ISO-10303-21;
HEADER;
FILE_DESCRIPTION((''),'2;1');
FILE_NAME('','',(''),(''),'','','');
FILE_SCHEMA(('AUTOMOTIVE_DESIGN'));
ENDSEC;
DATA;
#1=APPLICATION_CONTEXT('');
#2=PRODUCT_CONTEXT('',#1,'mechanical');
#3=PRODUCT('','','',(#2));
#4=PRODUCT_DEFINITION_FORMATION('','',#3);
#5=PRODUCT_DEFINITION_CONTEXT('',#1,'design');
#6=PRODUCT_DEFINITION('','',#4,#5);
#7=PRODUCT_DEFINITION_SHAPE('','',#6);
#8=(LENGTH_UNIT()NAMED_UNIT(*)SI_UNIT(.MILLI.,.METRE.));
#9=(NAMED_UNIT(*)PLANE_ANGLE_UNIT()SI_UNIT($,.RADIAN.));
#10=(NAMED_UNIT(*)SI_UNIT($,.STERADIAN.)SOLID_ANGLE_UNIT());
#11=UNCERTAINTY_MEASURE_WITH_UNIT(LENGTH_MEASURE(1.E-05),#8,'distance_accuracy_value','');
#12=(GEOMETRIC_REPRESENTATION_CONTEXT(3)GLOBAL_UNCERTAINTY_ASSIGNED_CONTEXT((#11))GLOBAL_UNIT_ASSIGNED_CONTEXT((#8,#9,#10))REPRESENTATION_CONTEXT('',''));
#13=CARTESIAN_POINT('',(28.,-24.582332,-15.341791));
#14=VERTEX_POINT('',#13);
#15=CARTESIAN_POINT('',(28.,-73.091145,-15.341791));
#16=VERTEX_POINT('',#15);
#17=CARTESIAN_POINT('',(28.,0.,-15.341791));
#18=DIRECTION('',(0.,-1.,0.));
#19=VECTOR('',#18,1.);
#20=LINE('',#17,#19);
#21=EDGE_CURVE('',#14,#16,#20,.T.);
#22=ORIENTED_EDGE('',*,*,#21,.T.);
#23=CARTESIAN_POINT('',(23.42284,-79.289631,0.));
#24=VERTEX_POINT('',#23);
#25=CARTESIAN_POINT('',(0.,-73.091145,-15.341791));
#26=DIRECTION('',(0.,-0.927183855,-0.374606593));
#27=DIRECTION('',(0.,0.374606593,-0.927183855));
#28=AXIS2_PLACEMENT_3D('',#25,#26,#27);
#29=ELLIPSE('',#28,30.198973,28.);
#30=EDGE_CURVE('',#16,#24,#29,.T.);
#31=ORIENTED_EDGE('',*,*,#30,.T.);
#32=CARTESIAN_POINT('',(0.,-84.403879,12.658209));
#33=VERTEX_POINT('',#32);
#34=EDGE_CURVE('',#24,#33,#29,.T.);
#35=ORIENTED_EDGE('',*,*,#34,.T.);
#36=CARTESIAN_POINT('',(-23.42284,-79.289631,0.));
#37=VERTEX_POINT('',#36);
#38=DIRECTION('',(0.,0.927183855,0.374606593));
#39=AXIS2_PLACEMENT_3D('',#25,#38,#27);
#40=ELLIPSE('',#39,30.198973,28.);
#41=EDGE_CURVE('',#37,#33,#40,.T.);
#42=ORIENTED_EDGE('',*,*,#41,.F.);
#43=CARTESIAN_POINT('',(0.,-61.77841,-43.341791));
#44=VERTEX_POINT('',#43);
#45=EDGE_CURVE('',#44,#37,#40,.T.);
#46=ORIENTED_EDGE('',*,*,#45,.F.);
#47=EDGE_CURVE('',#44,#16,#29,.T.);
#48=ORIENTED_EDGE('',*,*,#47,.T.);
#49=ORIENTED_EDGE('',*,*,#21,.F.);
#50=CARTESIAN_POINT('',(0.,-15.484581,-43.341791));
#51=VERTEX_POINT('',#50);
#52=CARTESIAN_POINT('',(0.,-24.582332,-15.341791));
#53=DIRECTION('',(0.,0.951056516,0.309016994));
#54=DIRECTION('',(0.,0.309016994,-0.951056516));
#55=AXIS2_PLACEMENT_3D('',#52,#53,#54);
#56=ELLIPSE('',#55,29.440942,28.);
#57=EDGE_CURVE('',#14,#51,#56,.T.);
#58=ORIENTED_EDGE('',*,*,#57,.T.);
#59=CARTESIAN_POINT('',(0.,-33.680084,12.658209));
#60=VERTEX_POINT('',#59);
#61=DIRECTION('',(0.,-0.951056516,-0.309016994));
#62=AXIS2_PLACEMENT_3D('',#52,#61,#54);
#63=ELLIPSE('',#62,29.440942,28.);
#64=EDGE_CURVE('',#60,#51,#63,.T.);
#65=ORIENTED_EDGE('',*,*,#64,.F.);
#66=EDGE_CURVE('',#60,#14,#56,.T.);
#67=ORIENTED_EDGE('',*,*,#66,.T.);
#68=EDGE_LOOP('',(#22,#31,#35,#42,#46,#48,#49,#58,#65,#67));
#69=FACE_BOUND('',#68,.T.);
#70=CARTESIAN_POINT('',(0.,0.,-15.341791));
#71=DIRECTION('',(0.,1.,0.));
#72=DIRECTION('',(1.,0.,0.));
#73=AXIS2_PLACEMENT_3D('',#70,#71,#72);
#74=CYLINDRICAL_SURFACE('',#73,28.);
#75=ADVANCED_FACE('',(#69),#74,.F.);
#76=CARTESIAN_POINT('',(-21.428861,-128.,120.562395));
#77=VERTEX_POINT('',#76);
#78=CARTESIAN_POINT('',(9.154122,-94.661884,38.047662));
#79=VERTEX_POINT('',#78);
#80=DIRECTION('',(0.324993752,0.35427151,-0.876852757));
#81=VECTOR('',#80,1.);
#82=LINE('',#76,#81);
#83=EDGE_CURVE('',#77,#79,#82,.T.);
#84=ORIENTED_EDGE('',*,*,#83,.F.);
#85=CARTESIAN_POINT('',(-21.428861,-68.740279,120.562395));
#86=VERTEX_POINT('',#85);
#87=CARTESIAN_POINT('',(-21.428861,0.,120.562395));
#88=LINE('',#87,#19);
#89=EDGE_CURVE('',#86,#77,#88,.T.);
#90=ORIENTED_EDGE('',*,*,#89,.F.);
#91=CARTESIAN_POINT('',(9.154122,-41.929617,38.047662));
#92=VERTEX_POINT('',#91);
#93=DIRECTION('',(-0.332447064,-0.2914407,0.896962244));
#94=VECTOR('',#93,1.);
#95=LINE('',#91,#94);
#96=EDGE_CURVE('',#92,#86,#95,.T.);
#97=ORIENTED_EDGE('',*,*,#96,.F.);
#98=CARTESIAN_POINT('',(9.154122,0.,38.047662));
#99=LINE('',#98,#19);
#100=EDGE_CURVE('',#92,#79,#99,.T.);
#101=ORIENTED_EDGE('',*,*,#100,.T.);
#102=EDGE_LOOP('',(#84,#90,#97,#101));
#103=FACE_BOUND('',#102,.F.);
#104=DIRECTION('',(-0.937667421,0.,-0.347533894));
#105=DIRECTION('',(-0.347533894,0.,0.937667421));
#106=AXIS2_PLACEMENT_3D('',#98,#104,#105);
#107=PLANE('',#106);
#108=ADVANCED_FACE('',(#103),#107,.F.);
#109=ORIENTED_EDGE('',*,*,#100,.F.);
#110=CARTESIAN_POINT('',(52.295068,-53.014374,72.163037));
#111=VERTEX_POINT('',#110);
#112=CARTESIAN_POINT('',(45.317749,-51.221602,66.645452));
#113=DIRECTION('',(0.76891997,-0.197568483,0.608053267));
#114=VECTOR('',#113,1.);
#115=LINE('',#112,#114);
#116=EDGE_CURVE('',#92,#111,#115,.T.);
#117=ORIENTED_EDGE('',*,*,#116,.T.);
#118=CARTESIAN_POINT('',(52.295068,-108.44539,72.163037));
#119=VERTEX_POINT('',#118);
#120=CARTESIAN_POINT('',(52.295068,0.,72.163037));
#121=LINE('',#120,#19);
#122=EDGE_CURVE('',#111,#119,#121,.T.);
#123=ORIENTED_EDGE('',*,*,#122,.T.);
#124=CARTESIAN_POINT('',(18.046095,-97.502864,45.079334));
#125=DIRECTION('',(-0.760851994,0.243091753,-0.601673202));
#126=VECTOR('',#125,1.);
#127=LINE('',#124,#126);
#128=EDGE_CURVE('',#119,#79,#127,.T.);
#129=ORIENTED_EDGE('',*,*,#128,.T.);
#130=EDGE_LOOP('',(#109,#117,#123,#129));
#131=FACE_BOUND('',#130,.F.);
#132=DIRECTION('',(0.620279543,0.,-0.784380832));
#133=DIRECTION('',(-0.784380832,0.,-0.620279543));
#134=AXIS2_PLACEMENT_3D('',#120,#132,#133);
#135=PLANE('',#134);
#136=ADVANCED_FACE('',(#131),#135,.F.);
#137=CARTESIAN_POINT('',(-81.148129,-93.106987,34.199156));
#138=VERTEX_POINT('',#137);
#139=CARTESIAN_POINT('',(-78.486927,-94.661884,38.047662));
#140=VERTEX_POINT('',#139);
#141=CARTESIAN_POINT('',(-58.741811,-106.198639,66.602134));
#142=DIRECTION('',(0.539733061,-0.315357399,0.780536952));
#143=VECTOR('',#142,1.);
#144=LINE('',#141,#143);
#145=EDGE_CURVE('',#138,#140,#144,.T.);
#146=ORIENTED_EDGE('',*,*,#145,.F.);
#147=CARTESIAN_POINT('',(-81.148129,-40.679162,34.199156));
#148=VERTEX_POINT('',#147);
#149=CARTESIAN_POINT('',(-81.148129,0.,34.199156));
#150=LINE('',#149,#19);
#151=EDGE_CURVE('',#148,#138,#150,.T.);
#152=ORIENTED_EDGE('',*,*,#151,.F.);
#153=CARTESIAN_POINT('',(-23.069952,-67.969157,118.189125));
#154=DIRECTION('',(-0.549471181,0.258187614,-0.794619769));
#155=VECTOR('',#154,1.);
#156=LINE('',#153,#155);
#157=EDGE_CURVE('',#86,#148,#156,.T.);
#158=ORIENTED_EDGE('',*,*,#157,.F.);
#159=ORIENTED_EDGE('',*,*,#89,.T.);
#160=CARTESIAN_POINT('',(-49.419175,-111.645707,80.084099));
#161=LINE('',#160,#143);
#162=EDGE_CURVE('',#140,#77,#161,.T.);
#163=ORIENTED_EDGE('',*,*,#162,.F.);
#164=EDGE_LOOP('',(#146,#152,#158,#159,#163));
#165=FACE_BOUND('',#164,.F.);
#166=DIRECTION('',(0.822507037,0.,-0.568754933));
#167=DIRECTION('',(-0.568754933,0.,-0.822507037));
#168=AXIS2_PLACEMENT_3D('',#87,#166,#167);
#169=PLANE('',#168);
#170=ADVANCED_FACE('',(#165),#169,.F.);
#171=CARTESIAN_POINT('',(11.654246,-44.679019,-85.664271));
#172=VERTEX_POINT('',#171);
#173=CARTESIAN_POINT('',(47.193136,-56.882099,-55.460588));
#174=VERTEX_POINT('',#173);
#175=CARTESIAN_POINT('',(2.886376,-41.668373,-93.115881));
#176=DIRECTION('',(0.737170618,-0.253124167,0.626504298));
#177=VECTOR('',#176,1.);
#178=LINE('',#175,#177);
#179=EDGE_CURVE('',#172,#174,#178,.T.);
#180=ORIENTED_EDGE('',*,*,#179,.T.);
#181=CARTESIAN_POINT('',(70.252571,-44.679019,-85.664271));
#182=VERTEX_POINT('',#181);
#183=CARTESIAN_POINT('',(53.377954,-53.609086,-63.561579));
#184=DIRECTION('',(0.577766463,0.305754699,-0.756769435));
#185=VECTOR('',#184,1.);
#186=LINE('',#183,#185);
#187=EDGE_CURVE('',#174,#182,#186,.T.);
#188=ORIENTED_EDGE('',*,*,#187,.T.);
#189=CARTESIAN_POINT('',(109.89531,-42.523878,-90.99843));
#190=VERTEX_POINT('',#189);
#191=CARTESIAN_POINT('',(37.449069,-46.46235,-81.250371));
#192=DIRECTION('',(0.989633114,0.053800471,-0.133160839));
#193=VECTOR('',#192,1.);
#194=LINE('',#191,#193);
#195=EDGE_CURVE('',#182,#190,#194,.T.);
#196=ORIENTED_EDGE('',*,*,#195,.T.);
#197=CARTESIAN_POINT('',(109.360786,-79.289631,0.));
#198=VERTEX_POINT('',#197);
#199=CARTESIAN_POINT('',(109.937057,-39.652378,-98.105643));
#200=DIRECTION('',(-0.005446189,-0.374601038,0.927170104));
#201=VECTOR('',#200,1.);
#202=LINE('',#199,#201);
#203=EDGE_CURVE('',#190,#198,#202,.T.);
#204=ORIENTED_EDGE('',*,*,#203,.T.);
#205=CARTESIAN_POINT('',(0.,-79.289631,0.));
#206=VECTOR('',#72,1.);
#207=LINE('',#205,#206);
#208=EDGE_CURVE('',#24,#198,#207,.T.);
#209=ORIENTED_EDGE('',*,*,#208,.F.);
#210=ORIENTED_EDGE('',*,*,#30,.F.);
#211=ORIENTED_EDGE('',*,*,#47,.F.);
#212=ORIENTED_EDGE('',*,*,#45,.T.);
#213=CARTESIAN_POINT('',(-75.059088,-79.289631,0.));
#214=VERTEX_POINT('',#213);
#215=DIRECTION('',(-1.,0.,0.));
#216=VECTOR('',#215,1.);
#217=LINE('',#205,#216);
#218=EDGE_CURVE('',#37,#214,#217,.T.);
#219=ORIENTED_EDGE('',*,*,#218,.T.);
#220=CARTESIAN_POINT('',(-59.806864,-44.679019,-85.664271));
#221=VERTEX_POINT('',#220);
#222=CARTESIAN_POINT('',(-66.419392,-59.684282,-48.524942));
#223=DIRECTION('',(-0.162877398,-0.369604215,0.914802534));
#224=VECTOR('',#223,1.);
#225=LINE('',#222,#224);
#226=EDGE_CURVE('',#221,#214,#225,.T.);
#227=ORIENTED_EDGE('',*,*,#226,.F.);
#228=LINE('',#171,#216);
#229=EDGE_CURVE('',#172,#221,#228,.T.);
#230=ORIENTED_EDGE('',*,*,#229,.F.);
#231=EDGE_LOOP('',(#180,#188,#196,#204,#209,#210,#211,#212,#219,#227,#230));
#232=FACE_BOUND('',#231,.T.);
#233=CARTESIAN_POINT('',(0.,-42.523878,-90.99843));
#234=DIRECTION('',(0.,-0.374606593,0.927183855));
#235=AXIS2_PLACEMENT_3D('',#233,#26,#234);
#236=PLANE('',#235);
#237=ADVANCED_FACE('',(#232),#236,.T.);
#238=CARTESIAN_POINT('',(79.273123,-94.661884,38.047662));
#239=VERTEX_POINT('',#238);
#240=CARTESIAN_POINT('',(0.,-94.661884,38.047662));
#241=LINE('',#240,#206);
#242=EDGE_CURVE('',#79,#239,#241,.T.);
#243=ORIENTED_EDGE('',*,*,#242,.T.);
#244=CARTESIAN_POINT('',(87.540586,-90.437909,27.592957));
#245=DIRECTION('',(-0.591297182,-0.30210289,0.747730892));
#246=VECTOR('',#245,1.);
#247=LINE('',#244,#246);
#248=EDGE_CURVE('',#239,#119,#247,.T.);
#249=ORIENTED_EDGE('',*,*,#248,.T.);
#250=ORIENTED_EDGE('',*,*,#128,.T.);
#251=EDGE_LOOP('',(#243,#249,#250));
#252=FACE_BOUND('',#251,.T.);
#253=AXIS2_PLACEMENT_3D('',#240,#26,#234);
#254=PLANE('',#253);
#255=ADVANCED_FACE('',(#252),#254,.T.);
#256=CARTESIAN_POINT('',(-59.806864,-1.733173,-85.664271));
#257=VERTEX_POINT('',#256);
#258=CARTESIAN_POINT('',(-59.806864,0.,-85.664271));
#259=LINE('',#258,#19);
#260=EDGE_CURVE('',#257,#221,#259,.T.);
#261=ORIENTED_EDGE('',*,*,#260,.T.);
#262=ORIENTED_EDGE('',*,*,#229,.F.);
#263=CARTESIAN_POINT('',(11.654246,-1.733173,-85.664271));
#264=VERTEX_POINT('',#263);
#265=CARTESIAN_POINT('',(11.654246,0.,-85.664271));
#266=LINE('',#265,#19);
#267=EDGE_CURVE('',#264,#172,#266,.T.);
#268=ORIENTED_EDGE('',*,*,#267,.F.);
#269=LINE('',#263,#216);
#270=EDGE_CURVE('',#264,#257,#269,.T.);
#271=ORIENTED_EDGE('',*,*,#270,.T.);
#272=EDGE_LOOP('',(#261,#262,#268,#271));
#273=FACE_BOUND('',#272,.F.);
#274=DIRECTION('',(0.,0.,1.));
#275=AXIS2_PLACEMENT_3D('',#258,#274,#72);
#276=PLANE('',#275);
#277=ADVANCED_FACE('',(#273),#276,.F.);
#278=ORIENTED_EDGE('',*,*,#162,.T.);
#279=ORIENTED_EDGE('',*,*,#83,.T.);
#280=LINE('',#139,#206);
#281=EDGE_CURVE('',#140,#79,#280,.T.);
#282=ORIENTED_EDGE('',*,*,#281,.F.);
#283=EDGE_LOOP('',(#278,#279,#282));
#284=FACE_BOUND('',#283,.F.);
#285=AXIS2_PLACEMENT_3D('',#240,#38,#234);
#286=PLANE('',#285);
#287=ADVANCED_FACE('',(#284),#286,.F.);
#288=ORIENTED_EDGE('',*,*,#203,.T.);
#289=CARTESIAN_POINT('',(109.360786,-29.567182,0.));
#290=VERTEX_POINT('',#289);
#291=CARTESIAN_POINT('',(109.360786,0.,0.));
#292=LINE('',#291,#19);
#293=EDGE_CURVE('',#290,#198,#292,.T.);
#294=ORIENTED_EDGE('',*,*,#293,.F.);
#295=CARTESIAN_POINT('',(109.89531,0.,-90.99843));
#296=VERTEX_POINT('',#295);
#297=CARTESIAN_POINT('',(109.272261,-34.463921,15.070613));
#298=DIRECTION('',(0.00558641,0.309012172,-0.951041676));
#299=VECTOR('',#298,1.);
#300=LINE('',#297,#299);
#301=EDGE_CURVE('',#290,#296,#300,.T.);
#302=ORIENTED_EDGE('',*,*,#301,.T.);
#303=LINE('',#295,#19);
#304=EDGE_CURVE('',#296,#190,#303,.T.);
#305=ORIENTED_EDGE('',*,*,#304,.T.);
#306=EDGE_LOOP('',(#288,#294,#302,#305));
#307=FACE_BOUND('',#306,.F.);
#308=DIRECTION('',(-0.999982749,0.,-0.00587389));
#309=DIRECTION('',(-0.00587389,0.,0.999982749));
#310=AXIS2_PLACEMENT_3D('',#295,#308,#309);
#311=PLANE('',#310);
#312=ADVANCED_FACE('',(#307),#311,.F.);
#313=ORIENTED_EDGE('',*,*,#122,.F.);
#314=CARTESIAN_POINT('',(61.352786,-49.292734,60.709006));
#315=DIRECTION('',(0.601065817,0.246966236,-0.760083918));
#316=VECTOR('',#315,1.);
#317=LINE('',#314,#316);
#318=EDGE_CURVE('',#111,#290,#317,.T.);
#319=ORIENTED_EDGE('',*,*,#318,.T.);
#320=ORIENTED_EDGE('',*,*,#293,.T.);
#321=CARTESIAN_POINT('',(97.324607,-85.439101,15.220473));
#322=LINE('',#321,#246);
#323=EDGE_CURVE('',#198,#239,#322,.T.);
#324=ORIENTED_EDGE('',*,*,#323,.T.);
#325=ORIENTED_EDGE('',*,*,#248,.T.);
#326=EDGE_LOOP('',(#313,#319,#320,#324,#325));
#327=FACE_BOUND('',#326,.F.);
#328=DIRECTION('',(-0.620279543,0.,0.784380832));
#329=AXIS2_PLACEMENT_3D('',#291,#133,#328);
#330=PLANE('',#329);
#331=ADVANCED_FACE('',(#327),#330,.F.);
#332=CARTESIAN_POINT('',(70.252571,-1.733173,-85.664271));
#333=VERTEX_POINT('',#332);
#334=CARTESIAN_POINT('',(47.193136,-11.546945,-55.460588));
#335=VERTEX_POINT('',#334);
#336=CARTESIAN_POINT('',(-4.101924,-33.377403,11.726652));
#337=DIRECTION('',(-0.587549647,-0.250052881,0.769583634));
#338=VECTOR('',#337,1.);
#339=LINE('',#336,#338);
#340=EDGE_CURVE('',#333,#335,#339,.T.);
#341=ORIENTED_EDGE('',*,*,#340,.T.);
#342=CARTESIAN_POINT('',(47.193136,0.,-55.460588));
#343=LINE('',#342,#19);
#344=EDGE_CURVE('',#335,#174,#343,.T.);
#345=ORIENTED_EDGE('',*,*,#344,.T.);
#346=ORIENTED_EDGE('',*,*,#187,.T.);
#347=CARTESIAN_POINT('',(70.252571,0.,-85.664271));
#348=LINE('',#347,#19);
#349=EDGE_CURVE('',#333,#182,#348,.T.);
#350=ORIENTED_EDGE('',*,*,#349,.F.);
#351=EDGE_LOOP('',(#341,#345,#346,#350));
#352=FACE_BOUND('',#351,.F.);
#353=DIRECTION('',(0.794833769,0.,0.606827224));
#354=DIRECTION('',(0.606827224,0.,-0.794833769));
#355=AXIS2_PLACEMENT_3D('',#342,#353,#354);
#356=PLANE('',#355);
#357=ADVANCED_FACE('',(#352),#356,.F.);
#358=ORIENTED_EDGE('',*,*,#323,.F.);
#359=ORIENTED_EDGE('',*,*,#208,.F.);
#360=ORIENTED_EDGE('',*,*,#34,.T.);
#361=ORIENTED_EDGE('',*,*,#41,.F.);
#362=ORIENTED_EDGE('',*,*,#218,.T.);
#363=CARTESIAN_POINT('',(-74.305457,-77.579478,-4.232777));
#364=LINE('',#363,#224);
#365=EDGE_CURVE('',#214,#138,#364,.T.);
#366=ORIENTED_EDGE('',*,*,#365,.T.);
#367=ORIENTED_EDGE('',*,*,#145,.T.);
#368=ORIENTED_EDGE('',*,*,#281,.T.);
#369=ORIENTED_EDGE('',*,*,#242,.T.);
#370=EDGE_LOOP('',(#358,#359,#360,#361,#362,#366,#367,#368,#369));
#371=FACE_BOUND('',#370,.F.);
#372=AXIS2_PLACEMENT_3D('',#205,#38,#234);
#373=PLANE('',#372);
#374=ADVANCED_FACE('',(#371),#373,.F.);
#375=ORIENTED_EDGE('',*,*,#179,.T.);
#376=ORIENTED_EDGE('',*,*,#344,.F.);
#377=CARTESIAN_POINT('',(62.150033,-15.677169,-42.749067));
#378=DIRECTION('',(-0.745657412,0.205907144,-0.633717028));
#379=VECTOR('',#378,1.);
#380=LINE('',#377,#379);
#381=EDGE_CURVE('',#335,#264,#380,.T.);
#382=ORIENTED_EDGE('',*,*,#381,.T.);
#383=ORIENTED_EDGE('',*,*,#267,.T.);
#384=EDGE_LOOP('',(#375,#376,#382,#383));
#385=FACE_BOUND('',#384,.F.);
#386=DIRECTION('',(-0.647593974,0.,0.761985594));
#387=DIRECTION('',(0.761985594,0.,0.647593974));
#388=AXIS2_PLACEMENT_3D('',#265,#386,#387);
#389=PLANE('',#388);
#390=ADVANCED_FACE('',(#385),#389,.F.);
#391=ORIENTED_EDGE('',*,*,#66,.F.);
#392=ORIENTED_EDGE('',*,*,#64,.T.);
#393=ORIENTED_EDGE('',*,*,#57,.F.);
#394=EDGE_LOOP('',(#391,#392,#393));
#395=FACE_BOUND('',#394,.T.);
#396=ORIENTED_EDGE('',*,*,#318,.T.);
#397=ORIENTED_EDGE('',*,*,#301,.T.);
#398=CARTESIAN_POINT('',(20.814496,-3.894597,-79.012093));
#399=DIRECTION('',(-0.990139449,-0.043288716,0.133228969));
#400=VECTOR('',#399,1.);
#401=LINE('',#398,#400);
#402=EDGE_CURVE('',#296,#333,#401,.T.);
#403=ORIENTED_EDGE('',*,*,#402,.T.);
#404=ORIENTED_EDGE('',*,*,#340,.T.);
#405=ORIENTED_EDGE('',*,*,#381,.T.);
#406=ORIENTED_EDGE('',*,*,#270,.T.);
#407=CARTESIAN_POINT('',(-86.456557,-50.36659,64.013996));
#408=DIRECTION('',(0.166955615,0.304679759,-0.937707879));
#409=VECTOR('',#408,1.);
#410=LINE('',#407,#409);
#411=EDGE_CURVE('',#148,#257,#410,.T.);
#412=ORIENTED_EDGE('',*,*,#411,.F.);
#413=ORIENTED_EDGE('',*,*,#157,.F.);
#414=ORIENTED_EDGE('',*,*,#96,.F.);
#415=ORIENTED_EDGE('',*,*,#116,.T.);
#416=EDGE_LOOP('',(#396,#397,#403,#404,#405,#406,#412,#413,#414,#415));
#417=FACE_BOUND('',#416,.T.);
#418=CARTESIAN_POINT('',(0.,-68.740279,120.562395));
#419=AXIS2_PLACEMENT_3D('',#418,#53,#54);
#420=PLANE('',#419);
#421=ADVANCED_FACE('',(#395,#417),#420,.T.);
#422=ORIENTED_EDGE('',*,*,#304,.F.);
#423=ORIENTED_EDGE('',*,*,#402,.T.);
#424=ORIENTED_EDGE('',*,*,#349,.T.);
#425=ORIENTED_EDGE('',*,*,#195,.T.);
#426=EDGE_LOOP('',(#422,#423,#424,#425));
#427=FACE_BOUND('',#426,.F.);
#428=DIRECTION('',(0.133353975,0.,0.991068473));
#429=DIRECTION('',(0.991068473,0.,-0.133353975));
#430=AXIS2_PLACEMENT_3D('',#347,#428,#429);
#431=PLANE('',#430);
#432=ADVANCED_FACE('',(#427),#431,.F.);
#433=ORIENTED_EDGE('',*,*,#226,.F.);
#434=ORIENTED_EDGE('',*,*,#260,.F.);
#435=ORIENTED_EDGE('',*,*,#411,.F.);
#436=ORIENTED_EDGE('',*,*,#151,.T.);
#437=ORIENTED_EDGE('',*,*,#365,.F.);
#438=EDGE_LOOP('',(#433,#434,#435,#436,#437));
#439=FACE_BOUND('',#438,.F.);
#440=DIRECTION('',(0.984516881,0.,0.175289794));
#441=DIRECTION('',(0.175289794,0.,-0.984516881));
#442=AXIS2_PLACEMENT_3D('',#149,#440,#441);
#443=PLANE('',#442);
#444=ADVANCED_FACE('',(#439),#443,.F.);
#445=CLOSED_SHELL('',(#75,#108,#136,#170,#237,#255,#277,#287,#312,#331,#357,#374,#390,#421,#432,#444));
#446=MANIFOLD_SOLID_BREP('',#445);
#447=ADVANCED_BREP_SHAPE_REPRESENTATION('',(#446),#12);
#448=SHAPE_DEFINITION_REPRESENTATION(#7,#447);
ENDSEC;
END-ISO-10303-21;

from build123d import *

# Parameters (mm, degrees)
F0_R          = 28
F1_DEPTH      = 300
F2_W          = 172
F2_H          = 82.5147330585
F2_H_2        = 38.0476616706
F2_H_3        = 90.998430119
F3_DEPTH      = 451
F3_DEPTH_BACK = 227


with BuildPart() as f1:
    # F0 (on Front) → F1 (new body)
    with BuildSketch(Plane.XZ):
        Polygon((9.1541220726, 38.0476616706), (-21.4288605859, 120.5623947291), (-81.1481285015, 34.1991557925), (-59.8068637145, -85.6642711367), (11.6542455026, -85.6642711367), (47.1931362855, -55.4605879139), (70.2525707923, -85.6642711367), (109.8953096981, -90.998430119), (109.3607857302, 0), (52.2950678135, 72.1630365121), align=None)
        with Locations((0, -15.3417913243)):
            Circle(F0_R, mode=Mode.SUBTRACT)
    extrude(amount=F1_DEPTH)

    # F2 (on Right) → F3 (cut, two sides)
    with BuildSketch(Plane.YZ) as f3_sk:
        with Locations((-214, 79.3050281999)):
            Rectangle(F2_W, F2_H)
        Polygon((-128, 38.0476616706), (-94.6618838266, 38.0476616706), (-128, 120.5623947291), align=None)
        with Locations((-214, 19.0238308353)):
            Rectangle(F2_W, F2_H_2)
        Polygon((-128, 0), (-79.2896306799, 0), (-94.6618838266, 38.0476616706), (-128, 38.0476616706), align=None)
        with Locations((-214, -45.4992150595)):
            Rectangle(F2_W, F2_H_3)
        Polygon((-128, -90.998430119), (-42.523878402, -90.998430119), (-79.2896306799, 0), (-128, 0), align=None)
        Polygon((-41.9296169443, 38.0476616706), (0, 38.0476616706), (0, 120.5623947291), (-68.7402789444, 120.5623947291), align=None)
        Polygon((-29.5671822719, 0), (0, 0), (0, 38.0476616706), (-41.9296169443, 38.0476616706), align=None)
        Polygon((-29.5671822719, 0), (0, -90.998430119), (0, 0), align=None)
    extrude(amount=F3_DEPTH, mode=Mode.SUBTRACT)
    extrude(f3_sk.sketch, amount=-F3_DEPTH_BACK, mode=Mode.SUBTRACT)


solid = f1.part
